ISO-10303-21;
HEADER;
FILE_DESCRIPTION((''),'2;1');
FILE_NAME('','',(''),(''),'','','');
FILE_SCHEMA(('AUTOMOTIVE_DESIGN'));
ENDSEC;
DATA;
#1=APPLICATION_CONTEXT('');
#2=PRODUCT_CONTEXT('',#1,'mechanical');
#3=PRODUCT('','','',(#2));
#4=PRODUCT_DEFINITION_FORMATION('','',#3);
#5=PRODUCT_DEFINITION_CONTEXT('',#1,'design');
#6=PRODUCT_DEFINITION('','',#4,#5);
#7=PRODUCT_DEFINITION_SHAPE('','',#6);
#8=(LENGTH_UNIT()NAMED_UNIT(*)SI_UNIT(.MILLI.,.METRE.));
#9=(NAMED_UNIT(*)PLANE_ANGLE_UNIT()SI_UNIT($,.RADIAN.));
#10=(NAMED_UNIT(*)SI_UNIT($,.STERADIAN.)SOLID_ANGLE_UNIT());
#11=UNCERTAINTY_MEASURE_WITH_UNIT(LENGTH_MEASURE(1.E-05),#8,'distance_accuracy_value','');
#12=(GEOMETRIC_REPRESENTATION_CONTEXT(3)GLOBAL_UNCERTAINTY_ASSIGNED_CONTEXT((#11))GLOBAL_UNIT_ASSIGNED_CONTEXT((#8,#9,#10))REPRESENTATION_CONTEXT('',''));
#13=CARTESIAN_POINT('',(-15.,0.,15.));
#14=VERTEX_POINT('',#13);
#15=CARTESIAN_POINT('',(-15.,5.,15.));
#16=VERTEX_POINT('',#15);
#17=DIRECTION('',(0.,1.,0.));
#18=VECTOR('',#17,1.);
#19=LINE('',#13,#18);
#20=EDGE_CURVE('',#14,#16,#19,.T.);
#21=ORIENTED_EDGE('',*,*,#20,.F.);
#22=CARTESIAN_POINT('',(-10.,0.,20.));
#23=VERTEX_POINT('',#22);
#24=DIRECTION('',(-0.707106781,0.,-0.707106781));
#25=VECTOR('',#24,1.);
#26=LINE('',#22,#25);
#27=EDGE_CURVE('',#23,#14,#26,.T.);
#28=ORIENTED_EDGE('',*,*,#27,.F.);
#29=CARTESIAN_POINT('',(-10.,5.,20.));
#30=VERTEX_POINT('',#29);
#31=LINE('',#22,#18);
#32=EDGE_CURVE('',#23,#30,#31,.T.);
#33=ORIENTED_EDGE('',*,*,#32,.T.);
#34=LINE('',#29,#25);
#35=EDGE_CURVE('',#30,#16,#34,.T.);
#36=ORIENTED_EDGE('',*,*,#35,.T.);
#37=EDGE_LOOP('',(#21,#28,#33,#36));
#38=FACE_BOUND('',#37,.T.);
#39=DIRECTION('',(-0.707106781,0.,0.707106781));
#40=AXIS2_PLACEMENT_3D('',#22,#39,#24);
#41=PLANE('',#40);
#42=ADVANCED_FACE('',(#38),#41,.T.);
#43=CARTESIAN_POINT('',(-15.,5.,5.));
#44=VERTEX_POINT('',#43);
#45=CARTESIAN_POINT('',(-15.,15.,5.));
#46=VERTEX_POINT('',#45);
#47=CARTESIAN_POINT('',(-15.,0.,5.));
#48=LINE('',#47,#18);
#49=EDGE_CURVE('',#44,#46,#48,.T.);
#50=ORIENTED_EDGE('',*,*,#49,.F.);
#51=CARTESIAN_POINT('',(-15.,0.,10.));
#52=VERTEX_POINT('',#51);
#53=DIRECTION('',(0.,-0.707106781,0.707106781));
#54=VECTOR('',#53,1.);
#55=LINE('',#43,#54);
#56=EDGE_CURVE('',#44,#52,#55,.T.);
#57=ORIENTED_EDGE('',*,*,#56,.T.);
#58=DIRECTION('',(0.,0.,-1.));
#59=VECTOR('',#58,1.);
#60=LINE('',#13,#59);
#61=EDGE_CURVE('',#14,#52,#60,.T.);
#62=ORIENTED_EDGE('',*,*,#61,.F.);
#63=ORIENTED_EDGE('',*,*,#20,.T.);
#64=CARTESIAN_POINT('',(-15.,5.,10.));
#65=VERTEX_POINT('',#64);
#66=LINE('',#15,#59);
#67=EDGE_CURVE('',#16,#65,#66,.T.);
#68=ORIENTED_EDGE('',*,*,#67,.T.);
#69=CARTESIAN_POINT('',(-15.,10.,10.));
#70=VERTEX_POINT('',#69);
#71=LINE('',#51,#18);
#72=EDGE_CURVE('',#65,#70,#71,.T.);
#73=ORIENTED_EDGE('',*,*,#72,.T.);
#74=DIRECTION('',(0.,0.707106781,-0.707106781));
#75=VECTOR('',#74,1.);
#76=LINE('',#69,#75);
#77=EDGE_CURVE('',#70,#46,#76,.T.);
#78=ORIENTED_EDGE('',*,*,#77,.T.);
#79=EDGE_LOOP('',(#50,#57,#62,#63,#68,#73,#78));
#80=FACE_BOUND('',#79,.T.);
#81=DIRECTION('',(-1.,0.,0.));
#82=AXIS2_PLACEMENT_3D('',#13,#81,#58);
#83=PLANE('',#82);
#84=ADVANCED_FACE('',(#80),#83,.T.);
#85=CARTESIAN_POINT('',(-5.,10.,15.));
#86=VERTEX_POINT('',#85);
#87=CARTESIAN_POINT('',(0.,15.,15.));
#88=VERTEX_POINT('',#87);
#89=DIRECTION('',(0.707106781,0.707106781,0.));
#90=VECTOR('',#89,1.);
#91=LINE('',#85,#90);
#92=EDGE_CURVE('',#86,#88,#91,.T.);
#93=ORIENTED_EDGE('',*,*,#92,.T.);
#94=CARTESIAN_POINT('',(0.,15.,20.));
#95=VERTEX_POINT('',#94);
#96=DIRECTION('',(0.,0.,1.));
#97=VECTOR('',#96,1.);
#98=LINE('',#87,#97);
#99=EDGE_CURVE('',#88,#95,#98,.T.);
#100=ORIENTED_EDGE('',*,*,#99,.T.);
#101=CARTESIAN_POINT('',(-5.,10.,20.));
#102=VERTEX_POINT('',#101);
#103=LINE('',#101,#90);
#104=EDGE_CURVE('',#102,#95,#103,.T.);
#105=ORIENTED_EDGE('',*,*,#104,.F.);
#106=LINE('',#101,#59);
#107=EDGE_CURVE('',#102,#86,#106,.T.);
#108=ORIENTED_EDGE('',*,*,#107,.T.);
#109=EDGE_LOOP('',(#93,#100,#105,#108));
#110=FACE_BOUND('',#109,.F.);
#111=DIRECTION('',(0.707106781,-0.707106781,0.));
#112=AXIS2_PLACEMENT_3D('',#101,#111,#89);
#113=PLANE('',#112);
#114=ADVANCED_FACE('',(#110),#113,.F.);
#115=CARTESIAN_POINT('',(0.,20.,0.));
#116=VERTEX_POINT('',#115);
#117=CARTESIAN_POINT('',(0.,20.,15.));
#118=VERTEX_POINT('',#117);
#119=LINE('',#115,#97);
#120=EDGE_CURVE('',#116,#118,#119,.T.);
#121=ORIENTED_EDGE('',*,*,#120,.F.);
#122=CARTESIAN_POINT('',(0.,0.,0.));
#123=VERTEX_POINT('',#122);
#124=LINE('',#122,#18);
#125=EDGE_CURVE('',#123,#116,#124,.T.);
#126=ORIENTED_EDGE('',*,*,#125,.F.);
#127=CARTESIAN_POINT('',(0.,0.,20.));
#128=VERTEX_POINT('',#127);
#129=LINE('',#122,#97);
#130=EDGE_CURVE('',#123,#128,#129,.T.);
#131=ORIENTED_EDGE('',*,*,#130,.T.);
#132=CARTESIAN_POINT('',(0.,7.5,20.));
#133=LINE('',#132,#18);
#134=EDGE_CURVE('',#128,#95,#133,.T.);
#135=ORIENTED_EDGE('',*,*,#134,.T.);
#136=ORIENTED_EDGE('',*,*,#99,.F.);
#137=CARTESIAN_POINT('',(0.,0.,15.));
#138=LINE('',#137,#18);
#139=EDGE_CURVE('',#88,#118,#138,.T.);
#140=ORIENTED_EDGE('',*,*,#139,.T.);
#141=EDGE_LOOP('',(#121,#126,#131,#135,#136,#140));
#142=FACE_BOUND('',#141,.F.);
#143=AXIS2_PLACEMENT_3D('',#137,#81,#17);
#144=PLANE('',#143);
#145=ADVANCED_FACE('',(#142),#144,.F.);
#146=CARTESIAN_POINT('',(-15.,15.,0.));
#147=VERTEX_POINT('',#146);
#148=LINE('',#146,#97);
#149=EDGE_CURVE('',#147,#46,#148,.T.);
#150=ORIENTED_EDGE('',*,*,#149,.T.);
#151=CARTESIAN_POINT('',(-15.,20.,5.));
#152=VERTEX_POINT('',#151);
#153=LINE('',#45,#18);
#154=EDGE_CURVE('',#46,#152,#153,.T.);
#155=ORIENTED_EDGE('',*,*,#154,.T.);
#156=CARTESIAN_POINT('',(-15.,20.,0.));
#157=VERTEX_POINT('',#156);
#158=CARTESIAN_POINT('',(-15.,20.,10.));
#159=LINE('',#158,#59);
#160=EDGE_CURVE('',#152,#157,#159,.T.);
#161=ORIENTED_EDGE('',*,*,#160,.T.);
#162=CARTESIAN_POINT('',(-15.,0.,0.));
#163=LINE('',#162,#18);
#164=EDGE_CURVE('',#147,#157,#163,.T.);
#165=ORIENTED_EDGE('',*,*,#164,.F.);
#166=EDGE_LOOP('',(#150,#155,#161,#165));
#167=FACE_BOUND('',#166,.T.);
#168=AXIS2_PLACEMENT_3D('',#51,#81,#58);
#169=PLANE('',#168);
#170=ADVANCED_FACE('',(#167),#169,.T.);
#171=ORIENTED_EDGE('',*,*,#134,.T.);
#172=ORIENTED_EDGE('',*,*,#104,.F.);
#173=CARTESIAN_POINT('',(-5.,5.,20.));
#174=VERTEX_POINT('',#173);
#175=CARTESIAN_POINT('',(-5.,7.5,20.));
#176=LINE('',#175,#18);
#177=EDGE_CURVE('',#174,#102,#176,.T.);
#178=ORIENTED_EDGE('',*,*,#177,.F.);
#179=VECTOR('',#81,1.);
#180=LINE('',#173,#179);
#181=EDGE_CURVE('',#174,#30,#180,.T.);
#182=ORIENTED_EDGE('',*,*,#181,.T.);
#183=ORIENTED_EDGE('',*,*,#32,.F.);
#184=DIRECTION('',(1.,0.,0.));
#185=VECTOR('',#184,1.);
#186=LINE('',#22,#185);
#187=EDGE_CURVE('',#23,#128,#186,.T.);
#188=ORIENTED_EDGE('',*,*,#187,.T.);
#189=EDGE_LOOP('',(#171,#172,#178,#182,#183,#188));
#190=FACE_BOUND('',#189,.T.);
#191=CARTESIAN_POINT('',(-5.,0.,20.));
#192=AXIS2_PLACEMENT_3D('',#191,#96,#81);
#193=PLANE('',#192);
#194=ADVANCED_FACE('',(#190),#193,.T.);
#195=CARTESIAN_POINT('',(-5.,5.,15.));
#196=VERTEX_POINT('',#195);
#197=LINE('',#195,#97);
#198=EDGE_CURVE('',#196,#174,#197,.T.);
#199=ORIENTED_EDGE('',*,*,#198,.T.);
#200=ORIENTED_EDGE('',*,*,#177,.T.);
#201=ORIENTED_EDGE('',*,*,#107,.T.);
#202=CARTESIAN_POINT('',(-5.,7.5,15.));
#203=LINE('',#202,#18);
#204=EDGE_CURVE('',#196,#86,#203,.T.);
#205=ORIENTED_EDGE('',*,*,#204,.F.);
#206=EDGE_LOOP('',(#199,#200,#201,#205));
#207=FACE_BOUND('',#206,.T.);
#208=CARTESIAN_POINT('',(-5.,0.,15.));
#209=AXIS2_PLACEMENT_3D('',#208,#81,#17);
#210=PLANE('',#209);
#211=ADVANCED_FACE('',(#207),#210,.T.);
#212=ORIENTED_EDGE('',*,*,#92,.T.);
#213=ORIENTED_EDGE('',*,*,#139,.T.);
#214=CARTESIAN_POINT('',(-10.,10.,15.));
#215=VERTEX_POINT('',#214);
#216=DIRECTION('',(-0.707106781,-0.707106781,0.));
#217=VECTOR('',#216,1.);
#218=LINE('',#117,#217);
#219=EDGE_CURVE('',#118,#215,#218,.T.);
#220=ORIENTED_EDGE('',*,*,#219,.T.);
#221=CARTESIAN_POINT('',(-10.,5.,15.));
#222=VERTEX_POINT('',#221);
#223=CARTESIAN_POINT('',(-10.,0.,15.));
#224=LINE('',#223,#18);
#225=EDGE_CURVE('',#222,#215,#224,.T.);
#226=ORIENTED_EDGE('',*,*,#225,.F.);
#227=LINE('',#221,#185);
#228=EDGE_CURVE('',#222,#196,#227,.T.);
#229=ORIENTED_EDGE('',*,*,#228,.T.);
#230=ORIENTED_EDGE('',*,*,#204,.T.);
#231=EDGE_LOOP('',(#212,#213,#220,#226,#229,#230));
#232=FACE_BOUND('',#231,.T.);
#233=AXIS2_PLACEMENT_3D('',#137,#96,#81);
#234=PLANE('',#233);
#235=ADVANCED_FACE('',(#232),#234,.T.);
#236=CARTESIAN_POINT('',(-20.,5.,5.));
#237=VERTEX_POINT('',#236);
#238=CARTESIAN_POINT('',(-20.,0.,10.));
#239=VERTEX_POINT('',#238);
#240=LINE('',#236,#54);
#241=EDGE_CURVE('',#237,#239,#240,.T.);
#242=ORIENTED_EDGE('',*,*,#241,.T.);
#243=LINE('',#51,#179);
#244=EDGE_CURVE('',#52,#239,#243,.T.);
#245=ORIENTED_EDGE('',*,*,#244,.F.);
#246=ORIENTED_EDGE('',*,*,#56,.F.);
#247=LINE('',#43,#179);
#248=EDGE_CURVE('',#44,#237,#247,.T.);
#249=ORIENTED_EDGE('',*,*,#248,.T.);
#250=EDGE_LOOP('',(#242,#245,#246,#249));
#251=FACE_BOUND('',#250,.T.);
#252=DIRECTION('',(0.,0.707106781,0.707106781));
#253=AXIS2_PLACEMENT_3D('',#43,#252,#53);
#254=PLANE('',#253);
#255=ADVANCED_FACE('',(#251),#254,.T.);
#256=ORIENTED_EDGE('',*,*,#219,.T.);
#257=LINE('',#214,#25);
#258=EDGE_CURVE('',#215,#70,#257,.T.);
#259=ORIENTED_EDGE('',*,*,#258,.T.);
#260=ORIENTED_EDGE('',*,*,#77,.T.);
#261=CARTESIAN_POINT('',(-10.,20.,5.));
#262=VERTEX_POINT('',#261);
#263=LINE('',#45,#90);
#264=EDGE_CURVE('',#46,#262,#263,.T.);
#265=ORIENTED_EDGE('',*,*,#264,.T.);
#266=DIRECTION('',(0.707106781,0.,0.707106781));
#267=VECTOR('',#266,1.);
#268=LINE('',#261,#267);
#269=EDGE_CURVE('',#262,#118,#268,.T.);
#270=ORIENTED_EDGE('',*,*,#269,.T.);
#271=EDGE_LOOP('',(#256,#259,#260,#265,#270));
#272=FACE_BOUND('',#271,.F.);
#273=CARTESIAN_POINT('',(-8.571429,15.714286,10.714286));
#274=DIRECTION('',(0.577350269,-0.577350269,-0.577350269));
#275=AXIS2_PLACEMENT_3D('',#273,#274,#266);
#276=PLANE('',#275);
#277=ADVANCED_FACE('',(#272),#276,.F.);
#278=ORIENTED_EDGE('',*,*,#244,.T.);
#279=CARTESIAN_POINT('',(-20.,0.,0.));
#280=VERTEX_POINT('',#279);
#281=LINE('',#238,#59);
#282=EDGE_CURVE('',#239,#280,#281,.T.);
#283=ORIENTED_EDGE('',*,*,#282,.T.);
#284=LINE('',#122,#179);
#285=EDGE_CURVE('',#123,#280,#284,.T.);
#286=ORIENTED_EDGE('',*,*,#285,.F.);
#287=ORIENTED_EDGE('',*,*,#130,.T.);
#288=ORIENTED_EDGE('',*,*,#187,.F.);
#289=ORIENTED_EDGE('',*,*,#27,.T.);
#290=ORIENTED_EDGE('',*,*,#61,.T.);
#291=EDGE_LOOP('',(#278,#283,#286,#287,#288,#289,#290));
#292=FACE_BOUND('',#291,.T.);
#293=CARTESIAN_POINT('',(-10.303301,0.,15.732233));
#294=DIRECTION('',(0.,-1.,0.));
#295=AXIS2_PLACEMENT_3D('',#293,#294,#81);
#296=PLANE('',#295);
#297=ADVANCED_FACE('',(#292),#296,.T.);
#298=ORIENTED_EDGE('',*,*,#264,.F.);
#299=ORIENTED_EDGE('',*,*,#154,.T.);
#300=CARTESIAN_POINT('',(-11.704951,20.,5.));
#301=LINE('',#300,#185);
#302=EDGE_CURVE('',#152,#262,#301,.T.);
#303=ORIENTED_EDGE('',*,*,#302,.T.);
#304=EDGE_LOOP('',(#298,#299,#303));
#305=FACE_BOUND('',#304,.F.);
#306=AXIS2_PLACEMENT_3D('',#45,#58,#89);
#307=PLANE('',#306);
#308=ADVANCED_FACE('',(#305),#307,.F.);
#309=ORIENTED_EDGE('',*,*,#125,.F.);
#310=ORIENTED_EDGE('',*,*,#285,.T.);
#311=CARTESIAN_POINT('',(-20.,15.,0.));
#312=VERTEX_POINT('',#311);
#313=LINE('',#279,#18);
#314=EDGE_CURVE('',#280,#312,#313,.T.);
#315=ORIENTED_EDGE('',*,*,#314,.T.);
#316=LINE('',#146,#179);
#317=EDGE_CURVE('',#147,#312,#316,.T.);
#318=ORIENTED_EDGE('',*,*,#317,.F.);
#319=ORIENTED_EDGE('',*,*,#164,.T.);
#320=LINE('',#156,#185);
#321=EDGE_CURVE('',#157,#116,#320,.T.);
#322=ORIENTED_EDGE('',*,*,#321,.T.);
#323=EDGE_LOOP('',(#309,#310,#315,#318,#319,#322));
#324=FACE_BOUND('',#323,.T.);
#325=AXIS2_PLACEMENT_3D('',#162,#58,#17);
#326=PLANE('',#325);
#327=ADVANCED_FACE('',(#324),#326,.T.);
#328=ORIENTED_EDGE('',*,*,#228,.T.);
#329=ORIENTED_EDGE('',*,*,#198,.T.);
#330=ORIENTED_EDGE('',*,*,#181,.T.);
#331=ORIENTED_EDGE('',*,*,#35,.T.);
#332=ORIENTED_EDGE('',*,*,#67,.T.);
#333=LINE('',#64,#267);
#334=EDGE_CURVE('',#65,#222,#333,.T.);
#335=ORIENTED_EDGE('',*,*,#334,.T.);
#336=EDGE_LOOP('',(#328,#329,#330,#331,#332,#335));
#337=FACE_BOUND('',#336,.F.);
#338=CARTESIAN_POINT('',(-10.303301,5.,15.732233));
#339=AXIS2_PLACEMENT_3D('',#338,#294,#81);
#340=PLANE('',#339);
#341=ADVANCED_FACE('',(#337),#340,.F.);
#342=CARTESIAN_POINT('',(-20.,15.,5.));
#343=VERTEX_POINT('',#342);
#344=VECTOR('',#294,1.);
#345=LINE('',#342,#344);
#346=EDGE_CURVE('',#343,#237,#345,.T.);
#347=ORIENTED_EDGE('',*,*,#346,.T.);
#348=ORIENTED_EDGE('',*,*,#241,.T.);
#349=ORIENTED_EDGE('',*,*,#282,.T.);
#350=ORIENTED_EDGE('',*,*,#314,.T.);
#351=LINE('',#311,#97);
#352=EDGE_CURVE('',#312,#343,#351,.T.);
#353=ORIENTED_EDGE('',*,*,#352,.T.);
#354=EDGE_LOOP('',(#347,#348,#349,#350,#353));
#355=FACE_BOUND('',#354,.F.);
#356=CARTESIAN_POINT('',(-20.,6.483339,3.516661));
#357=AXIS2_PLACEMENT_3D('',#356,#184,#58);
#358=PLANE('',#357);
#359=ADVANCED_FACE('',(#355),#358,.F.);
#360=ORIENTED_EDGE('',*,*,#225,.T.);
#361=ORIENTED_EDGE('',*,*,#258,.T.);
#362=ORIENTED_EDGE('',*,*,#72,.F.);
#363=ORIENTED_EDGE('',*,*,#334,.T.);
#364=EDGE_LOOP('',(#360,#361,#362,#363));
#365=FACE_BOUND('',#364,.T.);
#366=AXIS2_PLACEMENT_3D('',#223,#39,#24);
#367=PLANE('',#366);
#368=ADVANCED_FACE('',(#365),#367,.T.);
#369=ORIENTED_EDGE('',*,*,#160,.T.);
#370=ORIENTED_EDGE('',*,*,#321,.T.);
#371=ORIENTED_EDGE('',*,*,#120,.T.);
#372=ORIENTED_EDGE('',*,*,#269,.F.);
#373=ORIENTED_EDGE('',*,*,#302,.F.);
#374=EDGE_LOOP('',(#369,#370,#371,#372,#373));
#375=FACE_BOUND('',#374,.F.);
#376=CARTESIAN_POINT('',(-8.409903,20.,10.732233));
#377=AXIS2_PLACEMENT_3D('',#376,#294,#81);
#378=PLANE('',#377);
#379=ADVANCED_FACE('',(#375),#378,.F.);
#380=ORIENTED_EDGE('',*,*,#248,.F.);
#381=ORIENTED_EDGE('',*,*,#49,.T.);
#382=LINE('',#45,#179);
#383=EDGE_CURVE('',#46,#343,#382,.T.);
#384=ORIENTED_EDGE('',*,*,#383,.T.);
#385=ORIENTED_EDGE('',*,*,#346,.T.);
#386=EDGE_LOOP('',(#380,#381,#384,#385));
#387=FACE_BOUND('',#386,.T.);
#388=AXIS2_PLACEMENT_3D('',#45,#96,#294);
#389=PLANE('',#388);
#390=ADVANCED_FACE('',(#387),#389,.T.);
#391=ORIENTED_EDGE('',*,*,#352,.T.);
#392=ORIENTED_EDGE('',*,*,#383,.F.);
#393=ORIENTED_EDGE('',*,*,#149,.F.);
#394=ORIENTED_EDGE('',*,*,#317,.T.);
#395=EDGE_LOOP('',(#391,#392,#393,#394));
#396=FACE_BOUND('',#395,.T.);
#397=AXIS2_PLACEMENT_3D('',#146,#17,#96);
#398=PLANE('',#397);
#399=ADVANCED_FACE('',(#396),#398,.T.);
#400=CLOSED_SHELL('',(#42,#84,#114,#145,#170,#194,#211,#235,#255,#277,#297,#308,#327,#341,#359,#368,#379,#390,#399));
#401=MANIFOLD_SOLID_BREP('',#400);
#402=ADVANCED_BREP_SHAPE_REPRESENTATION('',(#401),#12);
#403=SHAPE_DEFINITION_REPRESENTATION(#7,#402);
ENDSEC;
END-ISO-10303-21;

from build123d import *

# Parameters (mm, degrees)
BOSS_EXTRUDE2_DEPTH = 20
BOSS_EXTRUDE4_DEPTH = 5
BOSS_EXTRUDE6_DEPTH = 20
CUT_EXTRUDE1_DEPTH  = 20
SKETCH5_W           = 5
SKETCH5_H           = 15
BOSS_EXTRUDE7_DEPTH = 5
CUT_EXTRUDE2_DEPTH  = 5
BOSS_EXTRUDE8_DEPTH = 5


with BuildPart() as part:
    # Sketch2 → Boss-Extrude2 (new body)
    with BuildSketch(Plane(origin=(0, 0, 0), x_dir=(1, 0, 0), z_dir=(0, 1, 0))):
        Polygon((-15, 0), (0, 0), (0, -15), (-10, -5), (-15, -5), align=None)
    extrude(amount=BOSS_EXTRUDE2_DEPTH)

    # Sketch3 → Boss-Extrude4 (add)
    with BuildSketch(Plane.ZY.offset(15)):
        Polygon((5, 15), (5, 5), (10, 0), (0, 0), (0, 15), align=None)
    extrude(amount=BOSS_EXTRUDE4_DEPTH)

    # Sketch4 → Boss-Extrude6 (add)
    with BuildSketch(Plane(origin=(0, 0, 0), x_dir=(-1, 0, 0), z_dir=(0, -1, 0))):
        Polygon((10, -15), (15, -10), (15, -5), (10, -5), (0, -15), align=None)
    extrude(amount=-BOSS_EXTRUDE6_DEPTH)

    # 3DSketch2 → Cut-Extrude1 (cut, along a direction that is not the sketch's normal)
    with BuildSketch(Plane(origin=(-10, 20, 5), x_dir=(0.7071067811865476, 0, 0.7071067811865475), z_dir=(0.5773502691896257, -0.577350269189626, -0.5773502691896258))):
        Polygon((0, 0), (14.142135624, 0), (7.071067812, 12.247448714), (0, 12.247448714), (-3.535533906, 6.123724357), align=None)
    extrude(amount=-CUT_EXTRUDE1_DEPTH, dir=(0, -1, 0), mode=Mode.SUBTRACT)

    # Sketch5 → Boss-Extrude7 (add)
    with BuildSketch(Plane.XY.offset(15)):
        with Locations((-2.5, 7.5)):
            Rectangle(SKETCH5_W, SKETCH5_H)
    extrude(amount=BOSS_EXTRUDE7_DEPTH)

    # Sketch6 → Cut-Extrude2 (cut)
    with BuildSketch(Plane.XY.offset(20)):
        Polygon((0, 15), (-5, 15), (-5, 10), align=None)
    extrude(amount=-CUT_EXTRUDE2_DEPTH, mode=Mode.SUBTRACT)

    # Sketch7 → Boss-Extrude8 (add)
    with BuildSketch(Plane(origin=(0, 0, 0), x_dir=(-1, 0, 0), z_dir=(0, -1, 0))):
        Polygon((15, -10), (10, -15), (5, -15), (5, -20), (10, -20), (15, -15), align=None)
    extrude(amount=-BOSS_EXTRUDE8_DEPTH)


solid = part.part
